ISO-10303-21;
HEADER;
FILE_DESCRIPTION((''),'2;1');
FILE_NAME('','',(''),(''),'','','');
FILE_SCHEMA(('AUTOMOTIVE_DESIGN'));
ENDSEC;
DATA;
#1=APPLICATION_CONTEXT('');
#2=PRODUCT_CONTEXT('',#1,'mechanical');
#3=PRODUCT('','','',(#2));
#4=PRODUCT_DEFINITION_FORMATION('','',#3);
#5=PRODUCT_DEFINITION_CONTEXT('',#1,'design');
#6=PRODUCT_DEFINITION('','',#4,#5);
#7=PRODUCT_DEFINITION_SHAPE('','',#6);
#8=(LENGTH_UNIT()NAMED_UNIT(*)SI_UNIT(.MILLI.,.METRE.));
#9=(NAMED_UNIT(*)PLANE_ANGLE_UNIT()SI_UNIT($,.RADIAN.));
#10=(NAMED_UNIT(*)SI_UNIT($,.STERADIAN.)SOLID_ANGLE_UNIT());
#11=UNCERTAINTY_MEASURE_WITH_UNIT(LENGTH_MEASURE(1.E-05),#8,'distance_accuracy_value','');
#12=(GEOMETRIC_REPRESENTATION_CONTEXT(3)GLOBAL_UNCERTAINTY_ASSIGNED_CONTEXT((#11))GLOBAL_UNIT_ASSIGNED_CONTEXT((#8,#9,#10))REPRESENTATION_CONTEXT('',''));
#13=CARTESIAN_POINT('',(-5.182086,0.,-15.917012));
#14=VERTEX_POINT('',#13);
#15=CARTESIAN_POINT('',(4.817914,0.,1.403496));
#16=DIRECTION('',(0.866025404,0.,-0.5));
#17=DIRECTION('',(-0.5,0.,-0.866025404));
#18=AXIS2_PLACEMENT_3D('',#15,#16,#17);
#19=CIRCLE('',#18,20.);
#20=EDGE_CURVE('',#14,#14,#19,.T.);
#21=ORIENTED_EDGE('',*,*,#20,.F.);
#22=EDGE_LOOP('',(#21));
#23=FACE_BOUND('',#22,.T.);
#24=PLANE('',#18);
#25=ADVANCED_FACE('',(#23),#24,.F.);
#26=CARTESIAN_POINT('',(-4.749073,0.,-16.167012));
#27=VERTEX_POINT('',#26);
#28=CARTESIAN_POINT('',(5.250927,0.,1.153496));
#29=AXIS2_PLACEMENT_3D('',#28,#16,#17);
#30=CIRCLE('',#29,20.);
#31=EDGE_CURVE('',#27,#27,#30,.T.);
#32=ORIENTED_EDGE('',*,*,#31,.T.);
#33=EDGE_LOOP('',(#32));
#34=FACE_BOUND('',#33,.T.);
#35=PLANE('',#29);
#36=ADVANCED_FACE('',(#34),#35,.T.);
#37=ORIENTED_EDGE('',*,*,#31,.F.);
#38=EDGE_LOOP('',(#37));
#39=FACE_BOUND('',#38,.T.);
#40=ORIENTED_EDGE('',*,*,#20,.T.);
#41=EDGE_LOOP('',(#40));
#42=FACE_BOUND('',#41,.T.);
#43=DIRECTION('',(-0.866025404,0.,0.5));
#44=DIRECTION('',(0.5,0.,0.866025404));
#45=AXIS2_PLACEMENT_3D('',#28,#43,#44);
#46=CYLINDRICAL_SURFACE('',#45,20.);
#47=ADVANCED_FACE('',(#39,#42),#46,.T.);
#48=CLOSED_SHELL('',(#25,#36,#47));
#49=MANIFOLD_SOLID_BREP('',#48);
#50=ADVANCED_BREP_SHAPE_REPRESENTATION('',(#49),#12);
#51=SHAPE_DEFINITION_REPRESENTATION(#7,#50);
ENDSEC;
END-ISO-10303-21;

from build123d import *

# Parameters (mm, degrees)
SKETCH1_R             = 40
BOSS_EXTRUDE1_DEPTH   = 1
SCALE1_SCALE          = 0.5
BODY_MOVE_COPY3_ANGLE = 30


with BuildPart() as part:
    # Sketch1 → Boss-Extrude1 (new body)
    with BuildSketch(Plane(origin=(0, 0, 0), x_dir=(0, 0, -1), z_dir=(1, 0, 0))):
        Circle(SKETCH1_R)
    extrude(amount=BOSS_EXTRUDE1_DEPTH)


with BuildPart() as part_1:
    # Scale1: scaled about (0.5, 0, 0)
    add(part.part.scale(SCALE1_SCALE).moved(Location((0.25, 0, 0))))


with BuildPart() as part_2:
    # Body-Move/Copy2: moved
    add(part_1.part.moved(Location((4.171055646, 0, 0))))


with BuildPart() as part_3:
    # Body-Move/Copy3: moved
    add(part_2.part.rotate(Axis((7.238444841, 0, -0.038800486), (0, 1, 0)), BODY_MOVE_COPY3_ANGLE))


solid = part_3.part
